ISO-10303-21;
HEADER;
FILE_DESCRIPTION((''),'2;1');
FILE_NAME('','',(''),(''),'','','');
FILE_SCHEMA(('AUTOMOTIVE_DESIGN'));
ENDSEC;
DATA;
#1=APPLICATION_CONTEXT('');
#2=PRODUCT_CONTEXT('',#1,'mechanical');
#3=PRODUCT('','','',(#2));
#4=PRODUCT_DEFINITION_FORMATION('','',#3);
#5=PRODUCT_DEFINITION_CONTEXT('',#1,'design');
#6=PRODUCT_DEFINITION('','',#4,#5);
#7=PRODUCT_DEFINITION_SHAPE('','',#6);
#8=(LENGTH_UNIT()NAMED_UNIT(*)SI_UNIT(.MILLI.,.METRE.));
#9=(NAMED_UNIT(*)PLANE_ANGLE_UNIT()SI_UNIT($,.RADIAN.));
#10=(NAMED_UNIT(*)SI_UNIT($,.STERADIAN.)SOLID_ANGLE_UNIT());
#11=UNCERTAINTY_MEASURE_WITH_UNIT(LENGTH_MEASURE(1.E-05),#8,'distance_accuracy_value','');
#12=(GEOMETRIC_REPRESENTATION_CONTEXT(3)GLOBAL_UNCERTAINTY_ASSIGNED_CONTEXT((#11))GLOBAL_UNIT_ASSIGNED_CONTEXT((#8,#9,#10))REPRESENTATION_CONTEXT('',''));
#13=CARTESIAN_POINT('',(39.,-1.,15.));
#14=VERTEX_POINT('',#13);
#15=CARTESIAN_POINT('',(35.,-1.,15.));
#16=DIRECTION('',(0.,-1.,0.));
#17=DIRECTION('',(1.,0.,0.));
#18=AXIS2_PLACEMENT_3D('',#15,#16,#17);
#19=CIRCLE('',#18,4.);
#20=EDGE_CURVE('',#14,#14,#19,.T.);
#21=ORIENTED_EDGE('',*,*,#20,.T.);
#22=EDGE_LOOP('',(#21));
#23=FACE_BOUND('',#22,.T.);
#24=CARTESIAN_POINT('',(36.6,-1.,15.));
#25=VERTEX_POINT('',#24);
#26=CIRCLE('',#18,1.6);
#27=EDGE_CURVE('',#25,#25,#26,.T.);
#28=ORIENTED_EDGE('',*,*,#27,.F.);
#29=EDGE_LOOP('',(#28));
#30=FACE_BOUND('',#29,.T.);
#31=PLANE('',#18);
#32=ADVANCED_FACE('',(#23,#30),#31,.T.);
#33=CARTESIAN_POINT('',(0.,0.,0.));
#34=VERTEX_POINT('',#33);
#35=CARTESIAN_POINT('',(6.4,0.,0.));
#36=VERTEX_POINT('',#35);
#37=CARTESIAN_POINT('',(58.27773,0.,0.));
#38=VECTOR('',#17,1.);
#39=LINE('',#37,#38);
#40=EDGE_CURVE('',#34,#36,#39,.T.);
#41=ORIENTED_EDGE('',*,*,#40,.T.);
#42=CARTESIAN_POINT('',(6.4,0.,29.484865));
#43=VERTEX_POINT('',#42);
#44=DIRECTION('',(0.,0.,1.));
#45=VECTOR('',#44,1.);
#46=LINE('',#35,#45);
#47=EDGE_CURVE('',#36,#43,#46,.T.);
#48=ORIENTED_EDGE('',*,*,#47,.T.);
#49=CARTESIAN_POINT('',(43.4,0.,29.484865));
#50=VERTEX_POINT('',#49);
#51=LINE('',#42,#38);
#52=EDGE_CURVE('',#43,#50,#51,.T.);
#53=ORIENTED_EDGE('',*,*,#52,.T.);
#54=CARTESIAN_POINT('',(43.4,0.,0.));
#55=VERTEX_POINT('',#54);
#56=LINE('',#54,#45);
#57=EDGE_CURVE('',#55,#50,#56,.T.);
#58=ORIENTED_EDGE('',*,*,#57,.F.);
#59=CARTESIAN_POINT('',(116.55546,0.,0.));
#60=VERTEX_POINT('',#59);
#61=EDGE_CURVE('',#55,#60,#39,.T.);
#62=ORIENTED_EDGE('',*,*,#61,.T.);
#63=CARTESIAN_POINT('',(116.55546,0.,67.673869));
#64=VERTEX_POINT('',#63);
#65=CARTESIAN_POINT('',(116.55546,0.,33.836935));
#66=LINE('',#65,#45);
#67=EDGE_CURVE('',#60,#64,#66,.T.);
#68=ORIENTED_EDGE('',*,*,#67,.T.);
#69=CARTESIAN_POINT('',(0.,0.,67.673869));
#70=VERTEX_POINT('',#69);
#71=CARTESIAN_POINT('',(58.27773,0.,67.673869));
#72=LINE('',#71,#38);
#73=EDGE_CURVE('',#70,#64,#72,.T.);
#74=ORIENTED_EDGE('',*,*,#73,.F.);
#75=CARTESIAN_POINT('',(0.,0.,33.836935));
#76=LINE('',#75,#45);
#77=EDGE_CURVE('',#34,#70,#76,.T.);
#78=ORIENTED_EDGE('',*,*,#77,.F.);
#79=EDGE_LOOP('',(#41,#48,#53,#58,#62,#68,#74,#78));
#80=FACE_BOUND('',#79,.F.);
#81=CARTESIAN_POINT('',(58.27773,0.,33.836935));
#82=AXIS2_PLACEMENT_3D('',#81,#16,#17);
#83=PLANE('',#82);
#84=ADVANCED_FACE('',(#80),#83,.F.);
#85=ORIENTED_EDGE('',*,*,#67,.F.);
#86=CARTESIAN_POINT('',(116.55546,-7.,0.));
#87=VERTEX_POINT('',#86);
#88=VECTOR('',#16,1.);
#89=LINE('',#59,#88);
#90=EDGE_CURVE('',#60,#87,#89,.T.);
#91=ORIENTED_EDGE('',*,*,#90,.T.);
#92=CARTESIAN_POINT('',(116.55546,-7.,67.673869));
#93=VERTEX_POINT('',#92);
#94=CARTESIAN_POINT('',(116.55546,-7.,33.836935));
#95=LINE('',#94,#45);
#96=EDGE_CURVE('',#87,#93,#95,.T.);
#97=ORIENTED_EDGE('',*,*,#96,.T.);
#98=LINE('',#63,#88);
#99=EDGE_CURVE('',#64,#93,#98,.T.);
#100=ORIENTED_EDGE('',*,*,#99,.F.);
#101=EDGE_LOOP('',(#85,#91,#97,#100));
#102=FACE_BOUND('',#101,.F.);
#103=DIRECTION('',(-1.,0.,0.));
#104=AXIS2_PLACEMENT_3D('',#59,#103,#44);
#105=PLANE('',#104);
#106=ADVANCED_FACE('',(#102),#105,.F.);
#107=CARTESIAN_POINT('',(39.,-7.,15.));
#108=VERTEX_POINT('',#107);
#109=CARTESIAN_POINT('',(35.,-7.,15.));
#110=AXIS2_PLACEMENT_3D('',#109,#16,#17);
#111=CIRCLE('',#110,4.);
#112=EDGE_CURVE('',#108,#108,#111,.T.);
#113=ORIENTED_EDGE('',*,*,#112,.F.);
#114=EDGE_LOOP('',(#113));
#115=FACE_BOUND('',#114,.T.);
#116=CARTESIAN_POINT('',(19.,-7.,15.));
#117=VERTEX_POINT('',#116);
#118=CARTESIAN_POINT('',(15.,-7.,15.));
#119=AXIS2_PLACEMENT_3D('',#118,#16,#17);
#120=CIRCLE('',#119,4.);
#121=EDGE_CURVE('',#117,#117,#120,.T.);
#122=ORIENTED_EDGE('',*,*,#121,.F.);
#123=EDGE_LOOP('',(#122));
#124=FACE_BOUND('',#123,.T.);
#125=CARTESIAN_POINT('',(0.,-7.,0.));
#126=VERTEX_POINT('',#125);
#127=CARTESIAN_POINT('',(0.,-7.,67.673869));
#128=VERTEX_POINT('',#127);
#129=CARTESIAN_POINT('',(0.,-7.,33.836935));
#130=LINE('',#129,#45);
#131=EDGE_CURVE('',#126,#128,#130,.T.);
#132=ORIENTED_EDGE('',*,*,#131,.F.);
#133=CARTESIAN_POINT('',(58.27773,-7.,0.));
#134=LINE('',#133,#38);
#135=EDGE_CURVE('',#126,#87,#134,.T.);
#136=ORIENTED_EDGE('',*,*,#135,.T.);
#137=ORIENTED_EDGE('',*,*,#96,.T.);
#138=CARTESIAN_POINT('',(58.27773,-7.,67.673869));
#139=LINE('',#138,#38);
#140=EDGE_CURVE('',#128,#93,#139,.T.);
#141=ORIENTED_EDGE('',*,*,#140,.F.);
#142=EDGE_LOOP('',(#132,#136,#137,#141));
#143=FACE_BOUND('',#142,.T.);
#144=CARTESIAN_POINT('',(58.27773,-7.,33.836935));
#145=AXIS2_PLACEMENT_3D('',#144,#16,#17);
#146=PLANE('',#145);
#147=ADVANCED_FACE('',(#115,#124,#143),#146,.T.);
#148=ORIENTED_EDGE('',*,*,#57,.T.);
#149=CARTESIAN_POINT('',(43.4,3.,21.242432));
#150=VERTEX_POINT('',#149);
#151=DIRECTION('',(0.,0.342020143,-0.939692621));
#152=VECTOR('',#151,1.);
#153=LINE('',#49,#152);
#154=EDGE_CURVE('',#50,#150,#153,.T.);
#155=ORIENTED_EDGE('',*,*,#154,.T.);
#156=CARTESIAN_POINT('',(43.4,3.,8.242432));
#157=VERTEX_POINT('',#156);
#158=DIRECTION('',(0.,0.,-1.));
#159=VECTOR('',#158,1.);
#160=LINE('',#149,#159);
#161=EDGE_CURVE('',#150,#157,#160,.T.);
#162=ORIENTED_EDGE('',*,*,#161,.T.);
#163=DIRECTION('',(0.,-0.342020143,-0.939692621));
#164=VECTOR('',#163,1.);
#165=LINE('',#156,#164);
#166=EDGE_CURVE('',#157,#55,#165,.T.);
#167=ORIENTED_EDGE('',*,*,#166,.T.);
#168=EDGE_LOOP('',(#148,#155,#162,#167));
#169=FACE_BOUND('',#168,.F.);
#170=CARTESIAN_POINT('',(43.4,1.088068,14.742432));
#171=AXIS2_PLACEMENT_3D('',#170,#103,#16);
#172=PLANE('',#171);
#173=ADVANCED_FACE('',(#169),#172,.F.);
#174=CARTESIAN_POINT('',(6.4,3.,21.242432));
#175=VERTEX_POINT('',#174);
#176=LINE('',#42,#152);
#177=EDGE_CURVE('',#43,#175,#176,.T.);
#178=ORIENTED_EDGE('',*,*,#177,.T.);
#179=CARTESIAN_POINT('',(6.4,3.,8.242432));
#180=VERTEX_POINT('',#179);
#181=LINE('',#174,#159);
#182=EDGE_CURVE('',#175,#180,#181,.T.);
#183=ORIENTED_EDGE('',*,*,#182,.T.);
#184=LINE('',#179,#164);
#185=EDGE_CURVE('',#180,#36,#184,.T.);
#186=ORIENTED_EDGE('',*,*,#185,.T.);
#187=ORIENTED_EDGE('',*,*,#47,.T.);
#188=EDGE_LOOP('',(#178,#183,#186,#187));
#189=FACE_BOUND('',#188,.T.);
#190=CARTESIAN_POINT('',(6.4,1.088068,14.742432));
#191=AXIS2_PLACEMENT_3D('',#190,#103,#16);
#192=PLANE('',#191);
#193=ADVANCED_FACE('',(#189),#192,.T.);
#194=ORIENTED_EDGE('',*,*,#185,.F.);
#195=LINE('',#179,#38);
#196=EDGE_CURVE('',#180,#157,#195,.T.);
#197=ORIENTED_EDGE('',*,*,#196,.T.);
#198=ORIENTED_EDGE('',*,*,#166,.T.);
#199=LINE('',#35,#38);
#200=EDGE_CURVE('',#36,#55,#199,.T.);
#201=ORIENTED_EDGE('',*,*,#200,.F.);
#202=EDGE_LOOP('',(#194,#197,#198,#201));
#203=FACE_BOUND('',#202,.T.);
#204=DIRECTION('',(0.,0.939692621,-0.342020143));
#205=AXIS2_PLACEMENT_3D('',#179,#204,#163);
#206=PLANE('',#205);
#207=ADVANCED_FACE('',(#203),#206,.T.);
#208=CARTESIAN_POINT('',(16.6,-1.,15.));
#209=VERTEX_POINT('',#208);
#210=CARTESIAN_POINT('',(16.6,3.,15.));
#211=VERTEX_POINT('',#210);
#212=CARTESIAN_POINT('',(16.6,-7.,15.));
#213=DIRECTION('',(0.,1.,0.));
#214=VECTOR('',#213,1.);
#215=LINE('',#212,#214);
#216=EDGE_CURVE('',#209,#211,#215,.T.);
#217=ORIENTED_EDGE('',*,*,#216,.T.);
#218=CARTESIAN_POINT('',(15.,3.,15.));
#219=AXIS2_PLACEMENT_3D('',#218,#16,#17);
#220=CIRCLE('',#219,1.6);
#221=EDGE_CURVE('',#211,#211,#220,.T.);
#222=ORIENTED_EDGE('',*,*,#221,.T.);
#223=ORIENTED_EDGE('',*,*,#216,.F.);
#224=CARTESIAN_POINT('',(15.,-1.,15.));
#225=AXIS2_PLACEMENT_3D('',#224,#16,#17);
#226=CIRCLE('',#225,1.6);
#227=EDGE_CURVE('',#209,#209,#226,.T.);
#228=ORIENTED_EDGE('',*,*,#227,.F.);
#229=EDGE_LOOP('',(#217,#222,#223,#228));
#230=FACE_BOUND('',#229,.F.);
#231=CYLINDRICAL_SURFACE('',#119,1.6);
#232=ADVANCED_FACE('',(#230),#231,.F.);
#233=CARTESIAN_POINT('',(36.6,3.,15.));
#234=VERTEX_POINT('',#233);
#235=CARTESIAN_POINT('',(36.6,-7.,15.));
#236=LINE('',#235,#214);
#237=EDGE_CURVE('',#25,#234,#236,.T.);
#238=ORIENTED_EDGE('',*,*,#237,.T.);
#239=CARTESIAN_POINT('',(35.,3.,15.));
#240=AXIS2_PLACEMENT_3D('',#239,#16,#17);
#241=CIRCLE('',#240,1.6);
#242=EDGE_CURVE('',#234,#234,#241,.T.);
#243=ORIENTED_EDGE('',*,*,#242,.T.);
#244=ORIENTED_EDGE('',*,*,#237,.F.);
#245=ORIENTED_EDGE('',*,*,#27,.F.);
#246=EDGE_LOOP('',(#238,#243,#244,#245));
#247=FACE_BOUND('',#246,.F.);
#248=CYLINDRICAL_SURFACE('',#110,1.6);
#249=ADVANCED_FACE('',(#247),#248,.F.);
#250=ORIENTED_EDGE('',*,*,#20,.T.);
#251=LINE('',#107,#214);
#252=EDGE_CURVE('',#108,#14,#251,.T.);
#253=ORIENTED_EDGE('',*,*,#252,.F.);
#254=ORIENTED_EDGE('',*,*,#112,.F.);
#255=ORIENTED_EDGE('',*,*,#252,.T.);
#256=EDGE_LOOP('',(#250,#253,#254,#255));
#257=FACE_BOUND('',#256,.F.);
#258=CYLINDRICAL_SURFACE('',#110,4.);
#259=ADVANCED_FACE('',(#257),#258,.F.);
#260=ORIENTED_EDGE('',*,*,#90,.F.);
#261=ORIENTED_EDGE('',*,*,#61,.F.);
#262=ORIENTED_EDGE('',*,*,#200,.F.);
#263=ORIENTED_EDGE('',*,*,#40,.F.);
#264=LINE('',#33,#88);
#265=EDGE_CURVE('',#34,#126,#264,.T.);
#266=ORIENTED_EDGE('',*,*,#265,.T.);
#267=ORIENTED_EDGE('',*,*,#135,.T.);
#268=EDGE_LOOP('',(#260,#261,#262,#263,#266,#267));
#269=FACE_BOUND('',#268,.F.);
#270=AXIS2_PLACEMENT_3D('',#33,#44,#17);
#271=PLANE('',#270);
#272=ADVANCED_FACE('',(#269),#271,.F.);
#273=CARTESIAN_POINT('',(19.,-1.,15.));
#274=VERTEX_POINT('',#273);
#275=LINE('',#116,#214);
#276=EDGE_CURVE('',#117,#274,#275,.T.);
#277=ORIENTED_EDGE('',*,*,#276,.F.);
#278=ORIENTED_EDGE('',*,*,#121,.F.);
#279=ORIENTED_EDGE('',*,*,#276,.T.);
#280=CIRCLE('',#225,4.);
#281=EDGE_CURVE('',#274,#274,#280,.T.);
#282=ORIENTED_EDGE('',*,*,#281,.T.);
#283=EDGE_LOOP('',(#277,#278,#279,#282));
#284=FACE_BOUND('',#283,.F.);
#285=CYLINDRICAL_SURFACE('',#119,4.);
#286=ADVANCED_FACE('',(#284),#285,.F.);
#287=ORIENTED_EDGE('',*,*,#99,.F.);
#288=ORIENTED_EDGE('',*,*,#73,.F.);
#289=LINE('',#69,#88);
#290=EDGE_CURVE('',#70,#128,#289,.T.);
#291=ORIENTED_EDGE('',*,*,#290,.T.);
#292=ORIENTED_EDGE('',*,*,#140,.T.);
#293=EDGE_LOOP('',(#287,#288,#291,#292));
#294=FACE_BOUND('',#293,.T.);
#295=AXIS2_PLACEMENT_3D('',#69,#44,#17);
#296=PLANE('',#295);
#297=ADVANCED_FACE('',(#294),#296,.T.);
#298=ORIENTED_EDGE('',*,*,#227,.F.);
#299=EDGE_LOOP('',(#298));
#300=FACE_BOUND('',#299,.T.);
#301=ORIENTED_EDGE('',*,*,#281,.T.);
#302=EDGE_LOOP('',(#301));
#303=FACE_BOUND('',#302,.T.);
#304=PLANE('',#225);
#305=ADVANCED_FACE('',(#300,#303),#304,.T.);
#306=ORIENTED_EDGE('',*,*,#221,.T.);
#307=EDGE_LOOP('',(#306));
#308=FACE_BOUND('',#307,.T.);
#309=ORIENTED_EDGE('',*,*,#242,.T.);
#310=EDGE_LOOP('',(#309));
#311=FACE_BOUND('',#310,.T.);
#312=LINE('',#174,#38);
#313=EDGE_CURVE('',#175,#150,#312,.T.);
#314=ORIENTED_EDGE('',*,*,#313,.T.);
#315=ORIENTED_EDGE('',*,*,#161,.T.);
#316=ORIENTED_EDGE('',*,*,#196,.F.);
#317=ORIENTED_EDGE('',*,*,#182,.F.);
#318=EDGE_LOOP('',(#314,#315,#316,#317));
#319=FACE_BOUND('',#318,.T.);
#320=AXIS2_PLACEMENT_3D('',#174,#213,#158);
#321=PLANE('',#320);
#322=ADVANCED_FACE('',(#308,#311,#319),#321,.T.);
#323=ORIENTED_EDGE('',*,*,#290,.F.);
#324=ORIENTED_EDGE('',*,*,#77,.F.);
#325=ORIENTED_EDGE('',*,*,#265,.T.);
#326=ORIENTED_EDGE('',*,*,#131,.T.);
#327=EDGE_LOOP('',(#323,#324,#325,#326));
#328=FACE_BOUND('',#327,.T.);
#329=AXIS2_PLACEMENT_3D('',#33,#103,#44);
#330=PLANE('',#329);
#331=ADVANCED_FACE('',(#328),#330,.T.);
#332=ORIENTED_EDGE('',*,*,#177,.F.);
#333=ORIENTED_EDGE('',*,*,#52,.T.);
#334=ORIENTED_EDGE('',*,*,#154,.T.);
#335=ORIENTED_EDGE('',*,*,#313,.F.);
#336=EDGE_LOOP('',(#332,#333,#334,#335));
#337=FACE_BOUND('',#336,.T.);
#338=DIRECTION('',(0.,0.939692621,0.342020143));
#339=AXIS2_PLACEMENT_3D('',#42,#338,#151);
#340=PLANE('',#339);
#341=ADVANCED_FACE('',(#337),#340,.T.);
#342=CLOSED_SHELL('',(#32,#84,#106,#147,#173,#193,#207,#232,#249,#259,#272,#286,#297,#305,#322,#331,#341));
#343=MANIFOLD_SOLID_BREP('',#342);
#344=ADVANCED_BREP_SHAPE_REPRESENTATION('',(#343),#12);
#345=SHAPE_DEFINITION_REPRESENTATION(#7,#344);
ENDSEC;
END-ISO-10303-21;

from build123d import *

# Parameters (mm, degrees)
F0_W     = 116.5554597974
F0_H     = 67.673869431
F1_DEPTH = 7
F4_START = -6.4
F4_DEPTH = 37
F2_R     = 1.6
F5_DEPTH = 10.001
F2_R_2   = 4
F6_DEPTH = 6


with BuildPart() as f1:
    # F0 (on Front) → F1 (new body)
    with BuildSketch(Plane.XZ):
        with Locations((58.2777298987, 33.8369347155)):
            Rectangle(F0_W, F0_H)
    extrude(amount=F1_DEPTH)

    # F3 (on face) → F4 (join)
    with BuildSketch(Plane(origin=(0, 0, 0), x_dir=(0, -1, 0), z_dir=(-1, 0, 0)).offset(F4_START)):
        Polygon((-3, 8.2424322584), (0, 0), (0, 29.4848645167), (-3, 21.2424322584), align=None)
    extrude(amount=-F4_DEPTH)

    # F2 (on face) → F5 (cut, through all)
    with BuildSketch(Plane.XZ.offset(7)):
        with Locations((15, 15)):
            Circle(F2_R)
        with Locations((35, 15)):
            Circle(F2_R)
    extrude(amount=-F5_DEPTH, mode=Mode.SUBTRACT)

    # F2 (on face) → F6 (cut)
    with BuildSketch(Plane.XZ.offset(7)):
        with Locations((15, 15)):
            Circle(F2_R_2)
        with Locations((15, 15)):
            Circle(F2_R, mode=Mode.SUBTRACT)
        with Locations((35, 15)):
            Circle(F2_R_2)
        with Locations((35, 15)):
            Circle(F2_R, mode=Mode.SUBTRACT)
    extrude(amount=-F6_DEPTH, mode=Mode.SUBTRACT)


solid = f1.part
